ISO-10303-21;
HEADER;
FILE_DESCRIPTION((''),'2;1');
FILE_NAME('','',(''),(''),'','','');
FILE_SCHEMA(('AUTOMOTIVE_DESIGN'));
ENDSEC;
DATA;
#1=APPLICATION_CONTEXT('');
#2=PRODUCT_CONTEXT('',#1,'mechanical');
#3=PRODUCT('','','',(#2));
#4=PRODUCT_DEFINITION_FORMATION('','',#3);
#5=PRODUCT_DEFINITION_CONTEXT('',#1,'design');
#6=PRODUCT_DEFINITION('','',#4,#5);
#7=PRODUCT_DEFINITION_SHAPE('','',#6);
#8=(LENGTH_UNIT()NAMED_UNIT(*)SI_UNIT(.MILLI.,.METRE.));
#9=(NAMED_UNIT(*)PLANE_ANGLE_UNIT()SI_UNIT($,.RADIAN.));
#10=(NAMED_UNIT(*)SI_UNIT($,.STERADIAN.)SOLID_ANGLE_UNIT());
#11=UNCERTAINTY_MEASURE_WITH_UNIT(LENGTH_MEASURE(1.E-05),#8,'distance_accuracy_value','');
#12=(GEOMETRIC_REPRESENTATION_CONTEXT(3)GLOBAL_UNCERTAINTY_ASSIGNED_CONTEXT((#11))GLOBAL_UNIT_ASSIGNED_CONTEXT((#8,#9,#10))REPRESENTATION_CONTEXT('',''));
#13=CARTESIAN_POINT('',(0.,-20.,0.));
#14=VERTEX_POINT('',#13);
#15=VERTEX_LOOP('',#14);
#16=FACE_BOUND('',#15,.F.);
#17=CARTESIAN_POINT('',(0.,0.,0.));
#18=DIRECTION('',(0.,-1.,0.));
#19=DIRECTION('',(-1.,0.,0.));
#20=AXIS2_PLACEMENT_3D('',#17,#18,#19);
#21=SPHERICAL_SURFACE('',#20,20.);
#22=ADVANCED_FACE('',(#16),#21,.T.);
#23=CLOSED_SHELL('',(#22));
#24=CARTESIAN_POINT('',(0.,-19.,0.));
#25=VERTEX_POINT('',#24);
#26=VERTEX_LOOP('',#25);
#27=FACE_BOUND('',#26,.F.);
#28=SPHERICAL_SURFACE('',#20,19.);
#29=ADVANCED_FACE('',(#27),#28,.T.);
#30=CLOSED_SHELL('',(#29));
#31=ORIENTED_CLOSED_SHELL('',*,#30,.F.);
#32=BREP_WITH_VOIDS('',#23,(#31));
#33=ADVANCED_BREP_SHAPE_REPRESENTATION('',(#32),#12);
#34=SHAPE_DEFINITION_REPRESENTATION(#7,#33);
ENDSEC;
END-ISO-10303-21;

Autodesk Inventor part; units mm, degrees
ref_plane "YZ Plane" through (0, 0, 0) normal (1, 0, 0) x (0, 1, 0)
ref_plane "XZ Plane" through (0, 0, 0) normal (0, 1, 0) x (-1, 0, 0)
sketch "Sketch1" plane through (0, 0, 0) normal (0, 0, 1) x (1, 0, 0)
  arc A0 (0, 20) -> (0, -20) centre (0, 0) ccw
  arc A1 (0, 19) -> (0, -19) centre (0, 0) ccw
  line L0 (0, -20) -> (0, 20)
  dimension "d0" = 40
  dimension "d1" = 1
revolve "Revolution1" add sketch "Sketch1" angle 360 about axis through (0, -20, 0) along (0, 1, 0) contours L0 A1 A0
ref_plane "Work Plane2" through (0, 0, 36.25) normal (0, 0, 1) x (1, 0, 0)
sketch "Sketch5" plane through (0, 0, 36.25) normal (0, 0, 1) x (1, 0, 0)
  line L0 (-10, 3.5833) -> (10, 3.5833) construction
  line L1 (10, 3.5833) -> (10, -3.5833) construction
  line L2 (10, -3.5833) -> (-10, -3.5833) construction
  line L3 (-10, -3.5833) -> (-10, 3.5833) construction
  circle A0 centre (0, 0) radius 20 projected
  dimension "d22" = 20
  dimension "d27" = 7.1667
  dimension "d30" = 10
  dimension "d31" = 3.5833
decal "Decal2"
equation "\"d30\" = 0.5 * d22"
equation "\"d31\" = 0.5 * d27"
properties part number "Joerex TT ball" material "PVC, Unplasticized"
